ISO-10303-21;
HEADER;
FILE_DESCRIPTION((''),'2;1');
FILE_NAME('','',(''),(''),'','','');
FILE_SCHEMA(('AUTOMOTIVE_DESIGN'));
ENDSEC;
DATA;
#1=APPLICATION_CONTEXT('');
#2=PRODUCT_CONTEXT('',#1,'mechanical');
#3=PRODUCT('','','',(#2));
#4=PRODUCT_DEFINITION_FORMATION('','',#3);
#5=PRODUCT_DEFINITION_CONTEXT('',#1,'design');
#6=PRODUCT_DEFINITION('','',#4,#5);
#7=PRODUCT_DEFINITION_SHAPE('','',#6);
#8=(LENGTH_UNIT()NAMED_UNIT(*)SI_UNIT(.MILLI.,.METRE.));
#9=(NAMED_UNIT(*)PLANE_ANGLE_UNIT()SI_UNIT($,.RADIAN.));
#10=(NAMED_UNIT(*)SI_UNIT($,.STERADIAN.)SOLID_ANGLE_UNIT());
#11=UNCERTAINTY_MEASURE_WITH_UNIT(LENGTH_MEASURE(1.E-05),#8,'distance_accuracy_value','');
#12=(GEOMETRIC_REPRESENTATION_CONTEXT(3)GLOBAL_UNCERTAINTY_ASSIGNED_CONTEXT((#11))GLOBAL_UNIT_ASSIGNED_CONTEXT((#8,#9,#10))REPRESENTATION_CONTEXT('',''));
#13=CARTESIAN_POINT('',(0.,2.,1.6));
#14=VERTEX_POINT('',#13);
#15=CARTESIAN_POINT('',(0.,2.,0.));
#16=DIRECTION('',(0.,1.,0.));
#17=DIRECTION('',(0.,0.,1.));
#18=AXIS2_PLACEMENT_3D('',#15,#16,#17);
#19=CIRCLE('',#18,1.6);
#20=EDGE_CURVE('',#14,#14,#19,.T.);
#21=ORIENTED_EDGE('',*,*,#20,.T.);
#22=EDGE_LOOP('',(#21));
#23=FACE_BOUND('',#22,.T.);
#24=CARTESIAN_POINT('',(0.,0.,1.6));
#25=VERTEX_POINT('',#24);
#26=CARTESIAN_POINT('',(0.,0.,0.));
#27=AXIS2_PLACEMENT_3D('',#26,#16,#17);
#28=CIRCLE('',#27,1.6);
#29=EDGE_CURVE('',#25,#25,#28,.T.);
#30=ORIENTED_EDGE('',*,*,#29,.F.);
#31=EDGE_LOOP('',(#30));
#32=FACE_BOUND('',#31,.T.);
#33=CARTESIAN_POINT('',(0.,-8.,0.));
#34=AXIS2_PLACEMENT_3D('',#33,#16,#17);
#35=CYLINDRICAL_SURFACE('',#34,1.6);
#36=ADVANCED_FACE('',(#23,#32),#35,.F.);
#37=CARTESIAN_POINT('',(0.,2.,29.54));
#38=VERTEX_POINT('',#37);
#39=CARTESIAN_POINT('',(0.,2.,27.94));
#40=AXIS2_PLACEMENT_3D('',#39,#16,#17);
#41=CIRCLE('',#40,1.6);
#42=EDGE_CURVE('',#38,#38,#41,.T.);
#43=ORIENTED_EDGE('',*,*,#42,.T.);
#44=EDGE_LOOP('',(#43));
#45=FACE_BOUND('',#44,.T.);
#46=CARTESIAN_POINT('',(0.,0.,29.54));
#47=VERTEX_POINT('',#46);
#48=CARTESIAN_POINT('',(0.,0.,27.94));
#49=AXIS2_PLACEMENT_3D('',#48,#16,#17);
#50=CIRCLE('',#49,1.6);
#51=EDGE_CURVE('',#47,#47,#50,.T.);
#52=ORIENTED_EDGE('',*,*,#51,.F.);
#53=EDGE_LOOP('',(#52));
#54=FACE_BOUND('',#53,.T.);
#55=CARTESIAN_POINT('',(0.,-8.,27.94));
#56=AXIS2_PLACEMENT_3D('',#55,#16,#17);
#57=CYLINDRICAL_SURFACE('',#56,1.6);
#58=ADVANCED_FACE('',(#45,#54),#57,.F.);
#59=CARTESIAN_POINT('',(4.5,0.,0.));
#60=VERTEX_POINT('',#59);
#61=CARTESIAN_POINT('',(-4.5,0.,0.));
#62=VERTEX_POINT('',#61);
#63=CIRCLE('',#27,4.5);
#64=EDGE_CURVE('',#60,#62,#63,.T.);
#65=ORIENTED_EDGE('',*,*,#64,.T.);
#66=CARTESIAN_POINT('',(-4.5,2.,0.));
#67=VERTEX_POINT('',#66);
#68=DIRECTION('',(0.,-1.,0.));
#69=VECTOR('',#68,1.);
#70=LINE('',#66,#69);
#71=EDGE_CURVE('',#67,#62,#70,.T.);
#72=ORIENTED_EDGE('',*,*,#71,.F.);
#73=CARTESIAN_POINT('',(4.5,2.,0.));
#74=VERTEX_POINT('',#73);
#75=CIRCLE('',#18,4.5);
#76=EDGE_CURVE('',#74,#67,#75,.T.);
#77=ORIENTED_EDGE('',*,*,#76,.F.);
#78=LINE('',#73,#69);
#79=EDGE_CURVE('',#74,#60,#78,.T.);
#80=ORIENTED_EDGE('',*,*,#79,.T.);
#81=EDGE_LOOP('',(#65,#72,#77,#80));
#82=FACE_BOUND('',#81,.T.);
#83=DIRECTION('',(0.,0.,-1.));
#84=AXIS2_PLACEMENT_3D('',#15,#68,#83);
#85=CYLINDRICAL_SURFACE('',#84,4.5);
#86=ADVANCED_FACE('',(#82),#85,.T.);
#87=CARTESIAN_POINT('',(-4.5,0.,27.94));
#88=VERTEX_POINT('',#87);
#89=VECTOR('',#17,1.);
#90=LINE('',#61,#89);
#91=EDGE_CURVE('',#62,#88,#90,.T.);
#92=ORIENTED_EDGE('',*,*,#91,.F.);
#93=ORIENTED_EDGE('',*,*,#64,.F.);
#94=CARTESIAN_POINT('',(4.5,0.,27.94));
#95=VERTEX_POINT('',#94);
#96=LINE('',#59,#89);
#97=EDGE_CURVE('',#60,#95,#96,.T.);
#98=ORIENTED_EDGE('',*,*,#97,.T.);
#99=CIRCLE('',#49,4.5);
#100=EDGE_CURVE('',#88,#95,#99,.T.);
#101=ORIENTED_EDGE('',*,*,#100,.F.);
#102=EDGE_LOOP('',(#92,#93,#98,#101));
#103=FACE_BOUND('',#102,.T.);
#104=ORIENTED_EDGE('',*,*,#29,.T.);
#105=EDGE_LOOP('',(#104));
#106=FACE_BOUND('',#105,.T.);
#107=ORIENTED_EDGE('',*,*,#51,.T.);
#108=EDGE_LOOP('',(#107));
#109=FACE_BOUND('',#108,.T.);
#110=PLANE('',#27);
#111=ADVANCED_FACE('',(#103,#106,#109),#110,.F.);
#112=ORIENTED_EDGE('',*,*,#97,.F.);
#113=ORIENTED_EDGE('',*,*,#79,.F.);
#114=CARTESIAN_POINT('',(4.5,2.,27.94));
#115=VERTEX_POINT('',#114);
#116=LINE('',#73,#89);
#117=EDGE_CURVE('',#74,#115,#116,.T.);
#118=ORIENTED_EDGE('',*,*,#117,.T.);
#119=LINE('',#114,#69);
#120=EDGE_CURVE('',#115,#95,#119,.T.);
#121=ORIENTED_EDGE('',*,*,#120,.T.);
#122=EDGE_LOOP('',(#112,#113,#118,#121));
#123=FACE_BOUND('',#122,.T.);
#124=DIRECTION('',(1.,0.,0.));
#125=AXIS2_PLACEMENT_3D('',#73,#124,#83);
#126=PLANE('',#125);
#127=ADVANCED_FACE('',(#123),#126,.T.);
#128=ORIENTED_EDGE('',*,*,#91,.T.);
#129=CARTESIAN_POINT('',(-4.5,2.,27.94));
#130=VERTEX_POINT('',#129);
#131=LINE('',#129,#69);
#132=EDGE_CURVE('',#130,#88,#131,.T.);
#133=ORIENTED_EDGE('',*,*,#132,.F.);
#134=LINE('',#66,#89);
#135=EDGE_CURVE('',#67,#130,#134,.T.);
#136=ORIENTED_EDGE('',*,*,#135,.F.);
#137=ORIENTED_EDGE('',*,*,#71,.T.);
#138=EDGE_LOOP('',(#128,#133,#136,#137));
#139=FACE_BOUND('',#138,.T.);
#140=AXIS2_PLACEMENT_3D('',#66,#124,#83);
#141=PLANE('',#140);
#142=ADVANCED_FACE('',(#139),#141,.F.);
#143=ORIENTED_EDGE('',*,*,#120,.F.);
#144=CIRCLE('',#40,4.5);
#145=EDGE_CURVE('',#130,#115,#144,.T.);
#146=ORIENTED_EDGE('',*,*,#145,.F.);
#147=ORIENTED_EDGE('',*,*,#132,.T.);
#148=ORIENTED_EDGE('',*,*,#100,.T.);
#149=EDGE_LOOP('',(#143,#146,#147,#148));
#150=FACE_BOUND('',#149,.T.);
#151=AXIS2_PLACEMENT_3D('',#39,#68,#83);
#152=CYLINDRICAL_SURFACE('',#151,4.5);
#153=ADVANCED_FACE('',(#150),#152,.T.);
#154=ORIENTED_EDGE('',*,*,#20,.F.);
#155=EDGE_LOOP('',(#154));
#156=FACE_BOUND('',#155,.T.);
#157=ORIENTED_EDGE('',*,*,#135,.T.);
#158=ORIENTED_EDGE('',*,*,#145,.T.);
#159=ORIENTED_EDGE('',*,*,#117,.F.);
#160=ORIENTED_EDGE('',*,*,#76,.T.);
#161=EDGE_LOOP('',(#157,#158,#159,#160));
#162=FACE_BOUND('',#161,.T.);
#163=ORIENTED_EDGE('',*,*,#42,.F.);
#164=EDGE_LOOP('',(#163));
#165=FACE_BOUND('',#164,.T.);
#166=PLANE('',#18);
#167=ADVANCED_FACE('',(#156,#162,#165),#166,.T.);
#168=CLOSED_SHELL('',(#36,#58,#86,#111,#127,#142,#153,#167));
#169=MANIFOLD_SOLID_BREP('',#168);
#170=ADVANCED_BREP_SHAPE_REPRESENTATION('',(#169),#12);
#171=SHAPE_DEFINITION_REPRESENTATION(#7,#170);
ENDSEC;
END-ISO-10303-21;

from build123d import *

# Parameters (mm, degrees)
SKETCH1_R           = 4.5
SKETCH1_W           = 9
SKETCH1_H           = 27.94
BOSS_EXTRUDE1_DEPTH = 2
SKETCH2_R           = 1.6
CUT_EXTRUDE1_DEPTH  = 10


with BuildPart() as part:
    # Sketch1 → Boss-Extrude1 (new body)
    with BuildSketch(Plane(origin=(0, 0, 0), x_dir=(1, 0, 0), z_dir=(0, 1, 0))):
        Circle(SKETCH1_R)
        with Locations((0, -27.94)):
            Circle(SKETCH1_R)
        with Locations((0, -13.97)):
            Rectangle(SKETCH1_W, SKETCH1_H)
    extrude(amount=BOSS_EXTRUDE1_DEPTH)

    # Sketch2 → Cut-Extrude1 (cut)
    with BuildSketch(Plane(origin=(0, 2, 0), x_dir=(1, 0, 0), z_dir=(0, 1, 0))):
        with Locations(Location((0, 0, 0), (0, 0, 270))):
            Circle(SKETCH2_R)
        with Locations(Location((0, -27.94, 0), (0, 0, 270))):
            Circle(SKETCH2_R)
    extrude(amount=-CUT_EXTRUDE1_DEPTH, mode=Mode.SUBTRACT)


solid = part.part
